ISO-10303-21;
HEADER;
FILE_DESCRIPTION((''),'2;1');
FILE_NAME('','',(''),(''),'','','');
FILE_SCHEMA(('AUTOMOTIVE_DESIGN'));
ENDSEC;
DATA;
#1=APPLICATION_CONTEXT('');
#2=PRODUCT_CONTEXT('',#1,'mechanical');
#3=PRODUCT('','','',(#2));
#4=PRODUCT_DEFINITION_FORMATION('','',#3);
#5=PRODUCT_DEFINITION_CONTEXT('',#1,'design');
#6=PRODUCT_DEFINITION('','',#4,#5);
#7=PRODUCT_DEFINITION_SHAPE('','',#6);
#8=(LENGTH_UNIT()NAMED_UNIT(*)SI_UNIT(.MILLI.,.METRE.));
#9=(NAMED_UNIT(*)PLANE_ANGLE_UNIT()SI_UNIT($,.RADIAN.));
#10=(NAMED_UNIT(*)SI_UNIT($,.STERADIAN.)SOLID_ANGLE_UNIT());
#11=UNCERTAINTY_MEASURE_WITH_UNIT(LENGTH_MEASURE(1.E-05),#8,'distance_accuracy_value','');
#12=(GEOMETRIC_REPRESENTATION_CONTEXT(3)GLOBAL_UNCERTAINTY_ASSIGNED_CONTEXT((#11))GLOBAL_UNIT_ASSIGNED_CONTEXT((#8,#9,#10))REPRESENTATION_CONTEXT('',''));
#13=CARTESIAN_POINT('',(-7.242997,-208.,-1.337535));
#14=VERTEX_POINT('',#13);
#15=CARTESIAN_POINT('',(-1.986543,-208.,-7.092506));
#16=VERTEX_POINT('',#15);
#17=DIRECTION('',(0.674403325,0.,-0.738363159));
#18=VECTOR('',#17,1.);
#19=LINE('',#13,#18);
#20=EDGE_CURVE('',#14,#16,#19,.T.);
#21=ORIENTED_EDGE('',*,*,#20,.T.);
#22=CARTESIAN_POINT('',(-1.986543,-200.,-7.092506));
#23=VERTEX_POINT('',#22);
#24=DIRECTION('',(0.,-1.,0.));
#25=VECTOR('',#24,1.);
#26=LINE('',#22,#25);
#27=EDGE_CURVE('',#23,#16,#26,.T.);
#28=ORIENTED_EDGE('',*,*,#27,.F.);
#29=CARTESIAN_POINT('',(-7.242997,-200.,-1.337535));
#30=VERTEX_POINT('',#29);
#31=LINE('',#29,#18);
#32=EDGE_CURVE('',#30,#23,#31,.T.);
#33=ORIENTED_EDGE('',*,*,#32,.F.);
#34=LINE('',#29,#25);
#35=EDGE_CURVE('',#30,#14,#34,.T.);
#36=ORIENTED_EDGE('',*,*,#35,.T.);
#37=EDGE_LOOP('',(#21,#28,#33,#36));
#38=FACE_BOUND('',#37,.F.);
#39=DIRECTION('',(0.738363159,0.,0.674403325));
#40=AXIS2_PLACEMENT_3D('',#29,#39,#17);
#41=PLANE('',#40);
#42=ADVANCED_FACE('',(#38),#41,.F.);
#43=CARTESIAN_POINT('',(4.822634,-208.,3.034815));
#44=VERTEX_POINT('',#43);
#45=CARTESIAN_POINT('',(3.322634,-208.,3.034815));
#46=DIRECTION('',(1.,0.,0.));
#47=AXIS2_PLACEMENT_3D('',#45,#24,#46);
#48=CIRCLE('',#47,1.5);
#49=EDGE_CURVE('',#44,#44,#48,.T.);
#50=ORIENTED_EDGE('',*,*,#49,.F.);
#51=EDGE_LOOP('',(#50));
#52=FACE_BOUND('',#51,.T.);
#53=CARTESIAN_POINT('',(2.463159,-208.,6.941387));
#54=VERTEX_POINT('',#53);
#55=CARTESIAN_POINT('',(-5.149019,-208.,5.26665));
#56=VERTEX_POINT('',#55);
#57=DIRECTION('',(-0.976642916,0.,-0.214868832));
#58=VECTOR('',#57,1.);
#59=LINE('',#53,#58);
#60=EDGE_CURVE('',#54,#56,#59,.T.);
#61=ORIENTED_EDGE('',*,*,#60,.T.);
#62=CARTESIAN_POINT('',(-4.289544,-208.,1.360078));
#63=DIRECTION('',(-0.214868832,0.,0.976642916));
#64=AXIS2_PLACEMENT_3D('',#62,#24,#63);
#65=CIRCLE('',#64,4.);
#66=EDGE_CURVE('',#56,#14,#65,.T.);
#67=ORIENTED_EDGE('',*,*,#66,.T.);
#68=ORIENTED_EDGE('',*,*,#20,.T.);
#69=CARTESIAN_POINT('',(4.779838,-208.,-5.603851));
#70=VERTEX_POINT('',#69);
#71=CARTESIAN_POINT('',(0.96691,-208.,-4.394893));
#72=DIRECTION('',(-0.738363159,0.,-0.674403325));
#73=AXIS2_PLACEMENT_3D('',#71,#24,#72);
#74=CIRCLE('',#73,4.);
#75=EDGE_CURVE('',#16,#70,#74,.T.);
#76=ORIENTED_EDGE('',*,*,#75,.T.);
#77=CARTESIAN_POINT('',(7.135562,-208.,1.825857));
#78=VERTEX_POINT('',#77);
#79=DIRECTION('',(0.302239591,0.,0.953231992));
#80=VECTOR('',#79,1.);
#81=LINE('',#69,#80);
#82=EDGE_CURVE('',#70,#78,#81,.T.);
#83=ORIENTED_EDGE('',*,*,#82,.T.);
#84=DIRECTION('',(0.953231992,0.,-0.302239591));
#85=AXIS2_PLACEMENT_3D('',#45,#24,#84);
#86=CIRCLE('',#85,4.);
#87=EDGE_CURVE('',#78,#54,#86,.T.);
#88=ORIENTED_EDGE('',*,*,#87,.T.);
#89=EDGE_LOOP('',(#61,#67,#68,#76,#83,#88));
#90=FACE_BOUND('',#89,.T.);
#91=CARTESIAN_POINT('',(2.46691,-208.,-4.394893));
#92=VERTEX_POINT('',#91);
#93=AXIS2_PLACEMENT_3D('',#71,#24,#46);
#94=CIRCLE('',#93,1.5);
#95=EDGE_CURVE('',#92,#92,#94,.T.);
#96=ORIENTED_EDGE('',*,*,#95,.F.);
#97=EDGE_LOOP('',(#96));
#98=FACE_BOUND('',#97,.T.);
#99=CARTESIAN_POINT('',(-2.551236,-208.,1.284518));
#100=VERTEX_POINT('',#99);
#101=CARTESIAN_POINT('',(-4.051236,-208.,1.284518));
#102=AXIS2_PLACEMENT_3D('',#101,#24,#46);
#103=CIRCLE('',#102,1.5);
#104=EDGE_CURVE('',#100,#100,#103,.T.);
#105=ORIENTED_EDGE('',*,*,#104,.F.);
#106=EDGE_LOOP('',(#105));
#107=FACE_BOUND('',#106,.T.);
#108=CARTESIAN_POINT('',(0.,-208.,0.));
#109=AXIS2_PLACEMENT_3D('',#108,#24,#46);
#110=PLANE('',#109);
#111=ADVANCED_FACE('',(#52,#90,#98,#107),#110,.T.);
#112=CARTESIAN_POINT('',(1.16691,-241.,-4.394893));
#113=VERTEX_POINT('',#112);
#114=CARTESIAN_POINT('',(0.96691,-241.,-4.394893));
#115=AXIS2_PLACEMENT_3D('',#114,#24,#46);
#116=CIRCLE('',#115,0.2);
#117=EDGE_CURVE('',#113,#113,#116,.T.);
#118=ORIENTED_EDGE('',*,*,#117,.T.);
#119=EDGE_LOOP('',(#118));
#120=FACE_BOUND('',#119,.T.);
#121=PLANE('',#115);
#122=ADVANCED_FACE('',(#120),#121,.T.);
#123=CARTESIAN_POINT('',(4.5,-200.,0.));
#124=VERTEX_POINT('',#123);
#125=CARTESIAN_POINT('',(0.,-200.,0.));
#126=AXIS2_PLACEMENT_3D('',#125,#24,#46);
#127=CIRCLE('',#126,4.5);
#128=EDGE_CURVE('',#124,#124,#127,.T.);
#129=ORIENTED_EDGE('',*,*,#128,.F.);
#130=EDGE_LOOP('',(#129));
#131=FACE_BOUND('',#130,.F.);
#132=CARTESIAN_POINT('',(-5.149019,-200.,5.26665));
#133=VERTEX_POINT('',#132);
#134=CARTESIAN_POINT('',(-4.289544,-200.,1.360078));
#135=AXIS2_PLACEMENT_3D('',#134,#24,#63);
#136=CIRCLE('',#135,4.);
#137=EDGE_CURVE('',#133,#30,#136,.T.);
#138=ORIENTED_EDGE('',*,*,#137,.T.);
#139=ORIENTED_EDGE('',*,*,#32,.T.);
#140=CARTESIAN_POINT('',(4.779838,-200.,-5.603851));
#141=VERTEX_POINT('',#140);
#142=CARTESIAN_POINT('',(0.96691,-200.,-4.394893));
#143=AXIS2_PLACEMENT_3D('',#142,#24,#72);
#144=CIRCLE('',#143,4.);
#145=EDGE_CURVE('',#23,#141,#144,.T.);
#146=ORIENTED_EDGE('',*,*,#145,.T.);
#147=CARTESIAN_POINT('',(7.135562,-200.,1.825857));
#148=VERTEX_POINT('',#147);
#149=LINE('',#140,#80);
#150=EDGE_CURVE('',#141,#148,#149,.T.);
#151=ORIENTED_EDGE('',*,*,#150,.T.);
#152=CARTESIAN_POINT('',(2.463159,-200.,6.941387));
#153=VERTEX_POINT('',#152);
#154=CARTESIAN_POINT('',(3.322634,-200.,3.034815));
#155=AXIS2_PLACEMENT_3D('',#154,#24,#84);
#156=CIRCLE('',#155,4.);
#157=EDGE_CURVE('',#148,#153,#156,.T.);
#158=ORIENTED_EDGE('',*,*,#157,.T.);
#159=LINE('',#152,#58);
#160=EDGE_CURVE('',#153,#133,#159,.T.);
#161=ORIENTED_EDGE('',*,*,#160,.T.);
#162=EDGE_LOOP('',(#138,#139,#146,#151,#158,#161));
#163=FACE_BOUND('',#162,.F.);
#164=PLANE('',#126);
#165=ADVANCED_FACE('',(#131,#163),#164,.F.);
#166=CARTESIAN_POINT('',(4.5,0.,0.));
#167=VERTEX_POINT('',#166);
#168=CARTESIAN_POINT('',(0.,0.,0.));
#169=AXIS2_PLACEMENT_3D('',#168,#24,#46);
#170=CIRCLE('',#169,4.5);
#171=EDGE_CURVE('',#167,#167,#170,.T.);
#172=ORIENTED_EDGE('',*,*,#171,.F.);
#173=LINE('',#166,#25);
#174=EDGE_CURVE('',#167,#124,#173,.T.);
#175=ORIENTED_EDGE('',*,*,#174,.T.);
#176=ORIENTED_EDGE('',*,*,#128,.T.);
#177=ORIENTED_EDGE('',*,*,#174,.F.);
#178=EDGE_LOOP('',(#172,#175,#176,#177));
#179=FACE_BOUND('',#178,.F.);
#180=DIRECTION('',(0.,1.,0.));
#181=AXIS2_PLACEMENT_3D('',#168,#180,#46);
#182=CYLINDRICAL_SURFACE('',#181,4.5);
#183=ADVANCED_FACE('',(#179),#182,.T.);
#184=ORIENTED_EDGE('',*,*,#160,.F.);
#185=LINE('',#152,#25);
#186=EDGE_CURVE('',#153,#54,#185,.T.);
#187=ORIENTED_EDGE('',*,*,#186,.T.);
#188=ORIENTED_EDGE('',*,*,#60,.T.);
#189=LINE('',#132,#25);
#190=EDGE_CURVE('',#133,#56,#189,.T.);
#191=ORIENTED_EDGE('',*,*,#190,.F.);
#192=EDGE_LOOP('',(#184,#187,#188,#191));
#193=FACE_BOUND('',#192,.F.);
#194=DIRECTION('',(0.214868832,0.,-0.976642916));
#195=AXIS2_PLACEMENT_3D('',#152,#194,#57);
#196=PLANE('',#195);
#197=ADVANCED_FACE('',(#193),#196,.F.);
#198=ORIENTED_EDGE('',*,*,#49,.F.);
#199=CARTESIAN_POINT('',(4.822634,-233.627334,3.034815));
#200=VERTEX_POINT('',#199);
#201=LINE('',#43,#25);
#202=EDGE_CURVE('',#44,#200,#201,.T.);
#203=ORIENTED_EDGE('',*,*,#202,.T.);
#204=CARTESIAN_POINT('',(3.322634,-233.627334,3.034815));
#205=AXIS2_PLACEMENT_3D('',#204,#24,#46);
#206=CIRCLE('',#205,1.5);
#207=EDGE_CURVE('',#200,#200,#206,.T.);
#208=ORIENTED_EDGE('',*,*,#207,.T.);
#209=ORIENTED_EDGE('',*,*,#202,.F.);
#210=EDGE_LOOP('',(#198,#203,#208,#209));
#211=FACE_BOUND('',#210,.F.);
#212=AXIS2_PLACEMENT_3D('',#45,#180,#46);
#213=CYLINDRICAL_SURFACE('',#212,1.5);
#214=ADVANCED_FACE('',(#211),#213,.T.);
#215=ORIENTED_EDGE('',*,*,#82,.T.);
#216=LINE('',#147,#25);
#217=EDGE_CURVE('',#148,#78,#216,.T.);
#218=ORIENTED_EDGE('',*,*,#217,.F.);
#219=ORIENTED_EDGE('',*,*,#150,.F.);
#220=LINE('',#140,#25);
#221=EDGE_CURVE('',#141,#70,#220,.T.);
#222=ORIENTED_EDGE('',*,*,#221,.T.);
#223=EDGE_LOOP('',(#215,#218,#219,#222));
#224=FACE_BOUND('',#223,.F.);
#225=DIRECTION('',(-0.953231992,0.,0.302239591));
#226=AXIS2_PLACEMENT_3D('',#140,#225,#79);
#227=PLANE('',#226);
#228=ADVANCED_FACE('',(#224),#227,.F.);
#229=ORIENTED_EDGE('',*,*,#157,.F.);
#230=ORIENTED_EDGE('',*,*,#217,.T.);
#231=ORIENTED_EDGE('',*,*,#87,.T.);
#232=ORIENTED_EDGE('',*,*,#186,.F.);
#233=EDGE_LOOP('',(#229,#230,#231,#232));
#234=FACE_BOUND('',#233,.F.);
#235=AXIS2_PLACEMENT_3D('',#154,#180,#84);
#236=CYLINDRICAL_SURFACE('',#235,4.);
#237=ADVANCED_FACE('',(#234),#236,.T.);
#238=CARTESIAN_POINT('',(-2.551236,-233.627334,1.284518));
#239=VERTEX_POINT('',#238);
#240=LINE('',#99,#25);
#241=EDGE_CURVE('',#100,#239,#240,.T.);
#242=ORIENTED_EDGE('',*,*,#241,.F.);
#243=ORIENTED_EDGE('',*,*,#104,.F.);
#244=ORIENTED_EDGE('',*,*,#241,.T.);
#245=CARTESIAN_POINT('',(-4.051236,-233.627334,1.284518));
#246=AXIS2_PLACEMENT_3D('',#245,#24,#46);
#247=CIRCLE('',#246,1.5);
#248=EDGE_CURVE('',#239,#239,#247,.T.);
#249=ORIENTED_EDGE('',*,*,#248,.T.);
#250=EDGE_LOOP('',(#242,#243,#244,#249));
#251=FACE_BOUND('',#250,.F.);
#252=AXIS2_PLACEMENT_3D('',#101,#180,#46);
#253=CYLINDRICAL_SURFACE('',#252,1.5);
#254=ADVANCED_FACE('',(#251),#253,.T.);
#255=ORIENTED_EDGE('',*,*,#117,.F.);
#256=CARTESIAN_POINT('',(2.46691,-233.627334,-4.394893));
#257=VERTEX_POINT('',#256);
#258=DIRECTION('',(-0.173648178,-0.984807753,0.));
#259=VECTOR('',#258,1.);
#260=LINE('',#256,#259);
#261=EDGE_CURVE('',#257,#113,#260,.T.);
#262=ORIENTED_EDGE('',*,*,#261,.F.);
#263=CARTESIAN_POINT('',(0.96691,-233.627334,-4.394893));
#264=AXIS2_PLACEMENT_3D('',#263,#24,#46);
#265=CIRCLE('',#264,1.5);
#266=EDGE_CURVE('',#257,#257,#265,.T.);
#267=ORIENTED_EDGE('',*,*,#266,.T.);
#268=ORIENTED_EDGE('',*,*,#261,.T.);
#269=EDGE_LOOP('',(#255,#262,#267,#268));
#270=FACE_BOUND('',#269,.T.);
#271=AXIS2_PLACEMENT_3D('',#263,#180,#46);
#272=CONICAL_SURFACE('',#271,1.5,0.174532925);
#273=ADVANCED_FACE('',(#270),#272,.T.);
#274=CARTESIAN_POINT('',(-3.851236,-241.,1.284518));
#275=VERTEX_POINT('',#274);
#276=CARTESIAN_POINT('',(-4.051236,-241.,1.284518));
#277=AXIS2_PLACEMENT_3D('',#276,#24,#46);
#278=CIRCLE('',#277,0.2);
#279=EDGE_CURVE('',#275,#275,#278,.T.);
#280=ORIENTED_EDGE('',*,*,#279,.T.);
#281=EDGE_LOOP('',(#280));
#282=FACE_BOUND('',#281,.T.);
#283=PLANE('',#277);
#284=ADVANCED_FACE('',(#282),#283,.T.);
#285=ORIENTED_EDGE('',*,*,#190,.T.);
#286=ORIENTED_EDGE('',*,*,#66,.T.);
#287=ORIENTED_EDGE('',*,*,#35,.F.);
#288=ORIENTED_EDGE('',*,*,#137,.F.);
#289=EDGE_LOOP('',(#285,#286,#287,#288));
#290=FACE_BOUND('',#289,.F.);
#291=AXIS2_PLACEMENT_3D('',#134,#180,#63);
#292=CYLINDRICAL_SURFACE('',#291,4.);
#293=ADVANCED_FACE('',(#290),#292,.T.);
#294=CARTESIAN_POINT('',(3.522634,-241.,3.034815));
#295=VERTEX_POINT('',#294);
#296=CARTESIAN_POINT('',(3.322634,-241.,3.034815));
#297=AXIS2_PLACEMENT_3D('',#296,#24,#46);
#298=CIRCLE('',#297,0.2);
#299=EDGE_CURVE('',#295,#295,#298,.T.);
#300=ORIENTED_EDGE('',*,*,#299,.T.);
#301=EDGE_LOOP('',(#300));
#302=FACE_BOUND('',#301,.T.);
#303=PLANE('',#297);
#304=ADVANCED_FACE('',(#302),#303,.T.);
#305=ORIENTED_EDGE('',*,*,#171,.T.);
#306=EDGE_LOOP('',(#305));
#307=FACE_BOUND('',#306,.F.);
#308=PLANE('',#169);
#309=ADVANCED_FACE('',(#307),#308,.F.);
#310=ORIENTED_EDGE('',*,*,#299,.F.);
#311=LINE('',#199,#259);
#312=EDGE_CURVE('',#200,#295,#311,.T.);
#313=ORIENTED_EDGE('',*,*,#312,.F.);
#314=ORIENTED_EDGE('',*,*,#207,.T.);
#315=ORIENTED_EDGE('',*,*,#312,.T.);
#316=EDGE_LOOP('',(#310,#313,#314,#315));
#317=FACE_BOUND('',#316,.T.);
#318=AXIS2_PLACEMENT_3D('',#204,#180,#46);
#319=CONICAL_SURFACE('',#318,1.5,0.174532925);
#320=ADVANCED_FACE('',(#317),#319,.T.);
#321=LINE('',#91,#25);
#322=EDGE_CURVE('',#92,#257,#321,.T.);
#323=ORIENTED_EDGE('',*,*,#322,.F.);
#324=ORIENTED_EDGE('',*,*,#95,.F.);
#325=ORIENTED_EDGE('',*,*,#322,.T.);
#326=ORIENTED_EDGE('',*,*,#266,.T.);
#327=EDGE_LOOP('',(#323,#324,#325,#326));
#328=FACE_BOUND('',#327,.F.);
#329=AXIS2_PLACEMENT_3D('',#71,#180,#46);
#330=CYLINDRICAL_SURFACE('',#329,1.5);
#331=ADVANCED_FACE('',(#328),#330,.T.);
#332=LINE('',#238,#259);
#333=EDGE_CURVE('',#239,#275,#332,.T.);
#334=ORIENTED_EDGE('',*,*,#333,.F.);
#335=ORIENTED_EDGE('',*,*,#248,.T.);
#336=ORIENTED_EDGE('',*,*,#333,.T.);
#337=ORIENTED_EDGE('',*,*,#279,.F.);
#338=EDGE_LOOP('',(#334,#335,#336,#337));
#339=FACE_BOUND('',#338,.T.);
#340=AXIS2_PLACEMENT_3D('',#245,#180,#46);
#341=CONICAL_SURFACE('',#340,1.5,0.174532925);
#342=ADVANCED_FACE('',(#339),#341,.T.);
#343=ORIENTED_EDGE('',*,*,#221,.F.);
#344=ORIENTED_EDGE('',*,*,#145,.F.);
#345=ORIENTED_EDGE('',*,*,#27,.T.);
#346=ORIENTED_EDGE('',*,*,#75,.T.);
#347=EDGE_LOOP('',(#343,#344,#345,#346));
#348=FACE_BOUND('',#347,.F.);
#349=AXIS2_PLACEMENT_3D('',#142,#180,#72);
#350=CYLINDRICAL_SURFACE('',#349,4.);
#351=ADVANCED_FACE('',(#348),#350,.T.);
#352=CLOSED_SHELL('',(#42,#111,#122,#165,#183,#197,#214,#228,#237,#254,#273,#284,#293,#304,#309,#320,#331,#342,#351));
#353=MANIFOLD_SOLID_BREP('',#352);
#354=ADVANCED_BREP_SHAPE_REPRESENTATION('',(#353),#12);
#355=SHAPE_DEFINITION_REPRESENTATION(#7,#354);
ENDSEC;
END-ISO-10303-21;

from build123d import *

# Parameters (mm, degrees)
F0_R       = 4.5
F1_DEPTH   = 200
F2_R       = 4.5
F3_DEPTH   = 8
F4_R       = 1.5
F5_DEPTH   = 33
F6_SIZE2   = 1.3
F6_SIZE    = 7.3726663655
F6_2_SIZE2 = 1.3
F6_2_SIZE  = 7.3726663655
F6_3_SIZE2 = 1.3
F6_3_SIZE  = 7.3726663655


with BuildPart() as f1:
    # F0 (on Front) → F1 (new body)
    with BuildSketch(Plane.XZ):
        Circle(F0_R)
    extrude(amount=F1_DEPTH)

    # F2 (on face) → F3 (join)
    with BuildSketch(Plane.XZ.offset(200)):
        with BuildLine():
            Line((2.4631588878, 6.9413866261), (-5.1490192915, 5.2666498209))
            ThreePointArc((-5.1490192915, 5.2666498209), (-8.1024719288, 2.5690365204), (-7.2429965996, -1.3375351427))
            Line((-7.2429965996, -1.3375351427), (-1.986542892, -7.0925064215))
            ThreePointArc((-1.986542892, -7.0925064215), (1.8263850745, -8.301464784), (4.7798377118, -5.6038514834))
            Line((4.7798377118, -5.6038514834), (7.1355621835, 1.8258566006))
            ThreePointArc((7.1355621835, 1.8258566006), (6.2760868543, 5.7324282636), (2.4631588878, 6.9413866261))
        make_face()
        Circle(F2_R, mode=Mode.SUBTRACT)
        Circle(F2_R)
    extrude(amount=F3_DEPTH)

    # F4 (on face) → F5 (join)
    with BuildSketch(Plane.XZ.offset(208)):
        with Locations((3.322634217, 3.0348149631)):
            Circle(F4_R)
        with Locations((-4.0512359644, 1.2845182602)):
            Circle(F4_R)
        with Locations((0.9669097453, -4.3948931209)):
            Circle(F4_R)
    extrude(amount=F5_DEPTH)

    # F6
    f6_edges = [f1.edges().sort_by_distance(p)[0] for p in [
        (-0.53309, -241, -4.394893),
    ]]
    f6_side = f1.faces().sort_by_distance((-0.53309, -224.5, -4.394893))[0]
    chamfer(f6_edges, length=F6_SIZE, length2=F6_SIZE2, reference=f6_side)

    # F6#2
    f6_2_edges = [f1.edges().sort_by_distance(p)[0] for p in [
        (-5.551236, -241, 1.284518),
    ]]
    f6_2_side = f1.faces().sort_by_distance((-5.551236, -224.5, 1.284518))[0]
    chamfer(f6_2_edges, length=F6_2_SIZE, length2=F6_2_SIZE2, reference=f6_2_side)

    # F6#3
    f6_3_edges = [f1.edges().sort_by_distance(p)[0] for p in [
        (1.822634, -241, 3.034815),
    ]]
    f6_3_side = f1.faces().sort_by_distance((1.822634, -224.5, 3.034815))[0]
    chamfer(f6_3_edges, length=F6_3_SIZE, length2=F6_3_SIZE2, reference=f6_3_side)


solid = f1.part
